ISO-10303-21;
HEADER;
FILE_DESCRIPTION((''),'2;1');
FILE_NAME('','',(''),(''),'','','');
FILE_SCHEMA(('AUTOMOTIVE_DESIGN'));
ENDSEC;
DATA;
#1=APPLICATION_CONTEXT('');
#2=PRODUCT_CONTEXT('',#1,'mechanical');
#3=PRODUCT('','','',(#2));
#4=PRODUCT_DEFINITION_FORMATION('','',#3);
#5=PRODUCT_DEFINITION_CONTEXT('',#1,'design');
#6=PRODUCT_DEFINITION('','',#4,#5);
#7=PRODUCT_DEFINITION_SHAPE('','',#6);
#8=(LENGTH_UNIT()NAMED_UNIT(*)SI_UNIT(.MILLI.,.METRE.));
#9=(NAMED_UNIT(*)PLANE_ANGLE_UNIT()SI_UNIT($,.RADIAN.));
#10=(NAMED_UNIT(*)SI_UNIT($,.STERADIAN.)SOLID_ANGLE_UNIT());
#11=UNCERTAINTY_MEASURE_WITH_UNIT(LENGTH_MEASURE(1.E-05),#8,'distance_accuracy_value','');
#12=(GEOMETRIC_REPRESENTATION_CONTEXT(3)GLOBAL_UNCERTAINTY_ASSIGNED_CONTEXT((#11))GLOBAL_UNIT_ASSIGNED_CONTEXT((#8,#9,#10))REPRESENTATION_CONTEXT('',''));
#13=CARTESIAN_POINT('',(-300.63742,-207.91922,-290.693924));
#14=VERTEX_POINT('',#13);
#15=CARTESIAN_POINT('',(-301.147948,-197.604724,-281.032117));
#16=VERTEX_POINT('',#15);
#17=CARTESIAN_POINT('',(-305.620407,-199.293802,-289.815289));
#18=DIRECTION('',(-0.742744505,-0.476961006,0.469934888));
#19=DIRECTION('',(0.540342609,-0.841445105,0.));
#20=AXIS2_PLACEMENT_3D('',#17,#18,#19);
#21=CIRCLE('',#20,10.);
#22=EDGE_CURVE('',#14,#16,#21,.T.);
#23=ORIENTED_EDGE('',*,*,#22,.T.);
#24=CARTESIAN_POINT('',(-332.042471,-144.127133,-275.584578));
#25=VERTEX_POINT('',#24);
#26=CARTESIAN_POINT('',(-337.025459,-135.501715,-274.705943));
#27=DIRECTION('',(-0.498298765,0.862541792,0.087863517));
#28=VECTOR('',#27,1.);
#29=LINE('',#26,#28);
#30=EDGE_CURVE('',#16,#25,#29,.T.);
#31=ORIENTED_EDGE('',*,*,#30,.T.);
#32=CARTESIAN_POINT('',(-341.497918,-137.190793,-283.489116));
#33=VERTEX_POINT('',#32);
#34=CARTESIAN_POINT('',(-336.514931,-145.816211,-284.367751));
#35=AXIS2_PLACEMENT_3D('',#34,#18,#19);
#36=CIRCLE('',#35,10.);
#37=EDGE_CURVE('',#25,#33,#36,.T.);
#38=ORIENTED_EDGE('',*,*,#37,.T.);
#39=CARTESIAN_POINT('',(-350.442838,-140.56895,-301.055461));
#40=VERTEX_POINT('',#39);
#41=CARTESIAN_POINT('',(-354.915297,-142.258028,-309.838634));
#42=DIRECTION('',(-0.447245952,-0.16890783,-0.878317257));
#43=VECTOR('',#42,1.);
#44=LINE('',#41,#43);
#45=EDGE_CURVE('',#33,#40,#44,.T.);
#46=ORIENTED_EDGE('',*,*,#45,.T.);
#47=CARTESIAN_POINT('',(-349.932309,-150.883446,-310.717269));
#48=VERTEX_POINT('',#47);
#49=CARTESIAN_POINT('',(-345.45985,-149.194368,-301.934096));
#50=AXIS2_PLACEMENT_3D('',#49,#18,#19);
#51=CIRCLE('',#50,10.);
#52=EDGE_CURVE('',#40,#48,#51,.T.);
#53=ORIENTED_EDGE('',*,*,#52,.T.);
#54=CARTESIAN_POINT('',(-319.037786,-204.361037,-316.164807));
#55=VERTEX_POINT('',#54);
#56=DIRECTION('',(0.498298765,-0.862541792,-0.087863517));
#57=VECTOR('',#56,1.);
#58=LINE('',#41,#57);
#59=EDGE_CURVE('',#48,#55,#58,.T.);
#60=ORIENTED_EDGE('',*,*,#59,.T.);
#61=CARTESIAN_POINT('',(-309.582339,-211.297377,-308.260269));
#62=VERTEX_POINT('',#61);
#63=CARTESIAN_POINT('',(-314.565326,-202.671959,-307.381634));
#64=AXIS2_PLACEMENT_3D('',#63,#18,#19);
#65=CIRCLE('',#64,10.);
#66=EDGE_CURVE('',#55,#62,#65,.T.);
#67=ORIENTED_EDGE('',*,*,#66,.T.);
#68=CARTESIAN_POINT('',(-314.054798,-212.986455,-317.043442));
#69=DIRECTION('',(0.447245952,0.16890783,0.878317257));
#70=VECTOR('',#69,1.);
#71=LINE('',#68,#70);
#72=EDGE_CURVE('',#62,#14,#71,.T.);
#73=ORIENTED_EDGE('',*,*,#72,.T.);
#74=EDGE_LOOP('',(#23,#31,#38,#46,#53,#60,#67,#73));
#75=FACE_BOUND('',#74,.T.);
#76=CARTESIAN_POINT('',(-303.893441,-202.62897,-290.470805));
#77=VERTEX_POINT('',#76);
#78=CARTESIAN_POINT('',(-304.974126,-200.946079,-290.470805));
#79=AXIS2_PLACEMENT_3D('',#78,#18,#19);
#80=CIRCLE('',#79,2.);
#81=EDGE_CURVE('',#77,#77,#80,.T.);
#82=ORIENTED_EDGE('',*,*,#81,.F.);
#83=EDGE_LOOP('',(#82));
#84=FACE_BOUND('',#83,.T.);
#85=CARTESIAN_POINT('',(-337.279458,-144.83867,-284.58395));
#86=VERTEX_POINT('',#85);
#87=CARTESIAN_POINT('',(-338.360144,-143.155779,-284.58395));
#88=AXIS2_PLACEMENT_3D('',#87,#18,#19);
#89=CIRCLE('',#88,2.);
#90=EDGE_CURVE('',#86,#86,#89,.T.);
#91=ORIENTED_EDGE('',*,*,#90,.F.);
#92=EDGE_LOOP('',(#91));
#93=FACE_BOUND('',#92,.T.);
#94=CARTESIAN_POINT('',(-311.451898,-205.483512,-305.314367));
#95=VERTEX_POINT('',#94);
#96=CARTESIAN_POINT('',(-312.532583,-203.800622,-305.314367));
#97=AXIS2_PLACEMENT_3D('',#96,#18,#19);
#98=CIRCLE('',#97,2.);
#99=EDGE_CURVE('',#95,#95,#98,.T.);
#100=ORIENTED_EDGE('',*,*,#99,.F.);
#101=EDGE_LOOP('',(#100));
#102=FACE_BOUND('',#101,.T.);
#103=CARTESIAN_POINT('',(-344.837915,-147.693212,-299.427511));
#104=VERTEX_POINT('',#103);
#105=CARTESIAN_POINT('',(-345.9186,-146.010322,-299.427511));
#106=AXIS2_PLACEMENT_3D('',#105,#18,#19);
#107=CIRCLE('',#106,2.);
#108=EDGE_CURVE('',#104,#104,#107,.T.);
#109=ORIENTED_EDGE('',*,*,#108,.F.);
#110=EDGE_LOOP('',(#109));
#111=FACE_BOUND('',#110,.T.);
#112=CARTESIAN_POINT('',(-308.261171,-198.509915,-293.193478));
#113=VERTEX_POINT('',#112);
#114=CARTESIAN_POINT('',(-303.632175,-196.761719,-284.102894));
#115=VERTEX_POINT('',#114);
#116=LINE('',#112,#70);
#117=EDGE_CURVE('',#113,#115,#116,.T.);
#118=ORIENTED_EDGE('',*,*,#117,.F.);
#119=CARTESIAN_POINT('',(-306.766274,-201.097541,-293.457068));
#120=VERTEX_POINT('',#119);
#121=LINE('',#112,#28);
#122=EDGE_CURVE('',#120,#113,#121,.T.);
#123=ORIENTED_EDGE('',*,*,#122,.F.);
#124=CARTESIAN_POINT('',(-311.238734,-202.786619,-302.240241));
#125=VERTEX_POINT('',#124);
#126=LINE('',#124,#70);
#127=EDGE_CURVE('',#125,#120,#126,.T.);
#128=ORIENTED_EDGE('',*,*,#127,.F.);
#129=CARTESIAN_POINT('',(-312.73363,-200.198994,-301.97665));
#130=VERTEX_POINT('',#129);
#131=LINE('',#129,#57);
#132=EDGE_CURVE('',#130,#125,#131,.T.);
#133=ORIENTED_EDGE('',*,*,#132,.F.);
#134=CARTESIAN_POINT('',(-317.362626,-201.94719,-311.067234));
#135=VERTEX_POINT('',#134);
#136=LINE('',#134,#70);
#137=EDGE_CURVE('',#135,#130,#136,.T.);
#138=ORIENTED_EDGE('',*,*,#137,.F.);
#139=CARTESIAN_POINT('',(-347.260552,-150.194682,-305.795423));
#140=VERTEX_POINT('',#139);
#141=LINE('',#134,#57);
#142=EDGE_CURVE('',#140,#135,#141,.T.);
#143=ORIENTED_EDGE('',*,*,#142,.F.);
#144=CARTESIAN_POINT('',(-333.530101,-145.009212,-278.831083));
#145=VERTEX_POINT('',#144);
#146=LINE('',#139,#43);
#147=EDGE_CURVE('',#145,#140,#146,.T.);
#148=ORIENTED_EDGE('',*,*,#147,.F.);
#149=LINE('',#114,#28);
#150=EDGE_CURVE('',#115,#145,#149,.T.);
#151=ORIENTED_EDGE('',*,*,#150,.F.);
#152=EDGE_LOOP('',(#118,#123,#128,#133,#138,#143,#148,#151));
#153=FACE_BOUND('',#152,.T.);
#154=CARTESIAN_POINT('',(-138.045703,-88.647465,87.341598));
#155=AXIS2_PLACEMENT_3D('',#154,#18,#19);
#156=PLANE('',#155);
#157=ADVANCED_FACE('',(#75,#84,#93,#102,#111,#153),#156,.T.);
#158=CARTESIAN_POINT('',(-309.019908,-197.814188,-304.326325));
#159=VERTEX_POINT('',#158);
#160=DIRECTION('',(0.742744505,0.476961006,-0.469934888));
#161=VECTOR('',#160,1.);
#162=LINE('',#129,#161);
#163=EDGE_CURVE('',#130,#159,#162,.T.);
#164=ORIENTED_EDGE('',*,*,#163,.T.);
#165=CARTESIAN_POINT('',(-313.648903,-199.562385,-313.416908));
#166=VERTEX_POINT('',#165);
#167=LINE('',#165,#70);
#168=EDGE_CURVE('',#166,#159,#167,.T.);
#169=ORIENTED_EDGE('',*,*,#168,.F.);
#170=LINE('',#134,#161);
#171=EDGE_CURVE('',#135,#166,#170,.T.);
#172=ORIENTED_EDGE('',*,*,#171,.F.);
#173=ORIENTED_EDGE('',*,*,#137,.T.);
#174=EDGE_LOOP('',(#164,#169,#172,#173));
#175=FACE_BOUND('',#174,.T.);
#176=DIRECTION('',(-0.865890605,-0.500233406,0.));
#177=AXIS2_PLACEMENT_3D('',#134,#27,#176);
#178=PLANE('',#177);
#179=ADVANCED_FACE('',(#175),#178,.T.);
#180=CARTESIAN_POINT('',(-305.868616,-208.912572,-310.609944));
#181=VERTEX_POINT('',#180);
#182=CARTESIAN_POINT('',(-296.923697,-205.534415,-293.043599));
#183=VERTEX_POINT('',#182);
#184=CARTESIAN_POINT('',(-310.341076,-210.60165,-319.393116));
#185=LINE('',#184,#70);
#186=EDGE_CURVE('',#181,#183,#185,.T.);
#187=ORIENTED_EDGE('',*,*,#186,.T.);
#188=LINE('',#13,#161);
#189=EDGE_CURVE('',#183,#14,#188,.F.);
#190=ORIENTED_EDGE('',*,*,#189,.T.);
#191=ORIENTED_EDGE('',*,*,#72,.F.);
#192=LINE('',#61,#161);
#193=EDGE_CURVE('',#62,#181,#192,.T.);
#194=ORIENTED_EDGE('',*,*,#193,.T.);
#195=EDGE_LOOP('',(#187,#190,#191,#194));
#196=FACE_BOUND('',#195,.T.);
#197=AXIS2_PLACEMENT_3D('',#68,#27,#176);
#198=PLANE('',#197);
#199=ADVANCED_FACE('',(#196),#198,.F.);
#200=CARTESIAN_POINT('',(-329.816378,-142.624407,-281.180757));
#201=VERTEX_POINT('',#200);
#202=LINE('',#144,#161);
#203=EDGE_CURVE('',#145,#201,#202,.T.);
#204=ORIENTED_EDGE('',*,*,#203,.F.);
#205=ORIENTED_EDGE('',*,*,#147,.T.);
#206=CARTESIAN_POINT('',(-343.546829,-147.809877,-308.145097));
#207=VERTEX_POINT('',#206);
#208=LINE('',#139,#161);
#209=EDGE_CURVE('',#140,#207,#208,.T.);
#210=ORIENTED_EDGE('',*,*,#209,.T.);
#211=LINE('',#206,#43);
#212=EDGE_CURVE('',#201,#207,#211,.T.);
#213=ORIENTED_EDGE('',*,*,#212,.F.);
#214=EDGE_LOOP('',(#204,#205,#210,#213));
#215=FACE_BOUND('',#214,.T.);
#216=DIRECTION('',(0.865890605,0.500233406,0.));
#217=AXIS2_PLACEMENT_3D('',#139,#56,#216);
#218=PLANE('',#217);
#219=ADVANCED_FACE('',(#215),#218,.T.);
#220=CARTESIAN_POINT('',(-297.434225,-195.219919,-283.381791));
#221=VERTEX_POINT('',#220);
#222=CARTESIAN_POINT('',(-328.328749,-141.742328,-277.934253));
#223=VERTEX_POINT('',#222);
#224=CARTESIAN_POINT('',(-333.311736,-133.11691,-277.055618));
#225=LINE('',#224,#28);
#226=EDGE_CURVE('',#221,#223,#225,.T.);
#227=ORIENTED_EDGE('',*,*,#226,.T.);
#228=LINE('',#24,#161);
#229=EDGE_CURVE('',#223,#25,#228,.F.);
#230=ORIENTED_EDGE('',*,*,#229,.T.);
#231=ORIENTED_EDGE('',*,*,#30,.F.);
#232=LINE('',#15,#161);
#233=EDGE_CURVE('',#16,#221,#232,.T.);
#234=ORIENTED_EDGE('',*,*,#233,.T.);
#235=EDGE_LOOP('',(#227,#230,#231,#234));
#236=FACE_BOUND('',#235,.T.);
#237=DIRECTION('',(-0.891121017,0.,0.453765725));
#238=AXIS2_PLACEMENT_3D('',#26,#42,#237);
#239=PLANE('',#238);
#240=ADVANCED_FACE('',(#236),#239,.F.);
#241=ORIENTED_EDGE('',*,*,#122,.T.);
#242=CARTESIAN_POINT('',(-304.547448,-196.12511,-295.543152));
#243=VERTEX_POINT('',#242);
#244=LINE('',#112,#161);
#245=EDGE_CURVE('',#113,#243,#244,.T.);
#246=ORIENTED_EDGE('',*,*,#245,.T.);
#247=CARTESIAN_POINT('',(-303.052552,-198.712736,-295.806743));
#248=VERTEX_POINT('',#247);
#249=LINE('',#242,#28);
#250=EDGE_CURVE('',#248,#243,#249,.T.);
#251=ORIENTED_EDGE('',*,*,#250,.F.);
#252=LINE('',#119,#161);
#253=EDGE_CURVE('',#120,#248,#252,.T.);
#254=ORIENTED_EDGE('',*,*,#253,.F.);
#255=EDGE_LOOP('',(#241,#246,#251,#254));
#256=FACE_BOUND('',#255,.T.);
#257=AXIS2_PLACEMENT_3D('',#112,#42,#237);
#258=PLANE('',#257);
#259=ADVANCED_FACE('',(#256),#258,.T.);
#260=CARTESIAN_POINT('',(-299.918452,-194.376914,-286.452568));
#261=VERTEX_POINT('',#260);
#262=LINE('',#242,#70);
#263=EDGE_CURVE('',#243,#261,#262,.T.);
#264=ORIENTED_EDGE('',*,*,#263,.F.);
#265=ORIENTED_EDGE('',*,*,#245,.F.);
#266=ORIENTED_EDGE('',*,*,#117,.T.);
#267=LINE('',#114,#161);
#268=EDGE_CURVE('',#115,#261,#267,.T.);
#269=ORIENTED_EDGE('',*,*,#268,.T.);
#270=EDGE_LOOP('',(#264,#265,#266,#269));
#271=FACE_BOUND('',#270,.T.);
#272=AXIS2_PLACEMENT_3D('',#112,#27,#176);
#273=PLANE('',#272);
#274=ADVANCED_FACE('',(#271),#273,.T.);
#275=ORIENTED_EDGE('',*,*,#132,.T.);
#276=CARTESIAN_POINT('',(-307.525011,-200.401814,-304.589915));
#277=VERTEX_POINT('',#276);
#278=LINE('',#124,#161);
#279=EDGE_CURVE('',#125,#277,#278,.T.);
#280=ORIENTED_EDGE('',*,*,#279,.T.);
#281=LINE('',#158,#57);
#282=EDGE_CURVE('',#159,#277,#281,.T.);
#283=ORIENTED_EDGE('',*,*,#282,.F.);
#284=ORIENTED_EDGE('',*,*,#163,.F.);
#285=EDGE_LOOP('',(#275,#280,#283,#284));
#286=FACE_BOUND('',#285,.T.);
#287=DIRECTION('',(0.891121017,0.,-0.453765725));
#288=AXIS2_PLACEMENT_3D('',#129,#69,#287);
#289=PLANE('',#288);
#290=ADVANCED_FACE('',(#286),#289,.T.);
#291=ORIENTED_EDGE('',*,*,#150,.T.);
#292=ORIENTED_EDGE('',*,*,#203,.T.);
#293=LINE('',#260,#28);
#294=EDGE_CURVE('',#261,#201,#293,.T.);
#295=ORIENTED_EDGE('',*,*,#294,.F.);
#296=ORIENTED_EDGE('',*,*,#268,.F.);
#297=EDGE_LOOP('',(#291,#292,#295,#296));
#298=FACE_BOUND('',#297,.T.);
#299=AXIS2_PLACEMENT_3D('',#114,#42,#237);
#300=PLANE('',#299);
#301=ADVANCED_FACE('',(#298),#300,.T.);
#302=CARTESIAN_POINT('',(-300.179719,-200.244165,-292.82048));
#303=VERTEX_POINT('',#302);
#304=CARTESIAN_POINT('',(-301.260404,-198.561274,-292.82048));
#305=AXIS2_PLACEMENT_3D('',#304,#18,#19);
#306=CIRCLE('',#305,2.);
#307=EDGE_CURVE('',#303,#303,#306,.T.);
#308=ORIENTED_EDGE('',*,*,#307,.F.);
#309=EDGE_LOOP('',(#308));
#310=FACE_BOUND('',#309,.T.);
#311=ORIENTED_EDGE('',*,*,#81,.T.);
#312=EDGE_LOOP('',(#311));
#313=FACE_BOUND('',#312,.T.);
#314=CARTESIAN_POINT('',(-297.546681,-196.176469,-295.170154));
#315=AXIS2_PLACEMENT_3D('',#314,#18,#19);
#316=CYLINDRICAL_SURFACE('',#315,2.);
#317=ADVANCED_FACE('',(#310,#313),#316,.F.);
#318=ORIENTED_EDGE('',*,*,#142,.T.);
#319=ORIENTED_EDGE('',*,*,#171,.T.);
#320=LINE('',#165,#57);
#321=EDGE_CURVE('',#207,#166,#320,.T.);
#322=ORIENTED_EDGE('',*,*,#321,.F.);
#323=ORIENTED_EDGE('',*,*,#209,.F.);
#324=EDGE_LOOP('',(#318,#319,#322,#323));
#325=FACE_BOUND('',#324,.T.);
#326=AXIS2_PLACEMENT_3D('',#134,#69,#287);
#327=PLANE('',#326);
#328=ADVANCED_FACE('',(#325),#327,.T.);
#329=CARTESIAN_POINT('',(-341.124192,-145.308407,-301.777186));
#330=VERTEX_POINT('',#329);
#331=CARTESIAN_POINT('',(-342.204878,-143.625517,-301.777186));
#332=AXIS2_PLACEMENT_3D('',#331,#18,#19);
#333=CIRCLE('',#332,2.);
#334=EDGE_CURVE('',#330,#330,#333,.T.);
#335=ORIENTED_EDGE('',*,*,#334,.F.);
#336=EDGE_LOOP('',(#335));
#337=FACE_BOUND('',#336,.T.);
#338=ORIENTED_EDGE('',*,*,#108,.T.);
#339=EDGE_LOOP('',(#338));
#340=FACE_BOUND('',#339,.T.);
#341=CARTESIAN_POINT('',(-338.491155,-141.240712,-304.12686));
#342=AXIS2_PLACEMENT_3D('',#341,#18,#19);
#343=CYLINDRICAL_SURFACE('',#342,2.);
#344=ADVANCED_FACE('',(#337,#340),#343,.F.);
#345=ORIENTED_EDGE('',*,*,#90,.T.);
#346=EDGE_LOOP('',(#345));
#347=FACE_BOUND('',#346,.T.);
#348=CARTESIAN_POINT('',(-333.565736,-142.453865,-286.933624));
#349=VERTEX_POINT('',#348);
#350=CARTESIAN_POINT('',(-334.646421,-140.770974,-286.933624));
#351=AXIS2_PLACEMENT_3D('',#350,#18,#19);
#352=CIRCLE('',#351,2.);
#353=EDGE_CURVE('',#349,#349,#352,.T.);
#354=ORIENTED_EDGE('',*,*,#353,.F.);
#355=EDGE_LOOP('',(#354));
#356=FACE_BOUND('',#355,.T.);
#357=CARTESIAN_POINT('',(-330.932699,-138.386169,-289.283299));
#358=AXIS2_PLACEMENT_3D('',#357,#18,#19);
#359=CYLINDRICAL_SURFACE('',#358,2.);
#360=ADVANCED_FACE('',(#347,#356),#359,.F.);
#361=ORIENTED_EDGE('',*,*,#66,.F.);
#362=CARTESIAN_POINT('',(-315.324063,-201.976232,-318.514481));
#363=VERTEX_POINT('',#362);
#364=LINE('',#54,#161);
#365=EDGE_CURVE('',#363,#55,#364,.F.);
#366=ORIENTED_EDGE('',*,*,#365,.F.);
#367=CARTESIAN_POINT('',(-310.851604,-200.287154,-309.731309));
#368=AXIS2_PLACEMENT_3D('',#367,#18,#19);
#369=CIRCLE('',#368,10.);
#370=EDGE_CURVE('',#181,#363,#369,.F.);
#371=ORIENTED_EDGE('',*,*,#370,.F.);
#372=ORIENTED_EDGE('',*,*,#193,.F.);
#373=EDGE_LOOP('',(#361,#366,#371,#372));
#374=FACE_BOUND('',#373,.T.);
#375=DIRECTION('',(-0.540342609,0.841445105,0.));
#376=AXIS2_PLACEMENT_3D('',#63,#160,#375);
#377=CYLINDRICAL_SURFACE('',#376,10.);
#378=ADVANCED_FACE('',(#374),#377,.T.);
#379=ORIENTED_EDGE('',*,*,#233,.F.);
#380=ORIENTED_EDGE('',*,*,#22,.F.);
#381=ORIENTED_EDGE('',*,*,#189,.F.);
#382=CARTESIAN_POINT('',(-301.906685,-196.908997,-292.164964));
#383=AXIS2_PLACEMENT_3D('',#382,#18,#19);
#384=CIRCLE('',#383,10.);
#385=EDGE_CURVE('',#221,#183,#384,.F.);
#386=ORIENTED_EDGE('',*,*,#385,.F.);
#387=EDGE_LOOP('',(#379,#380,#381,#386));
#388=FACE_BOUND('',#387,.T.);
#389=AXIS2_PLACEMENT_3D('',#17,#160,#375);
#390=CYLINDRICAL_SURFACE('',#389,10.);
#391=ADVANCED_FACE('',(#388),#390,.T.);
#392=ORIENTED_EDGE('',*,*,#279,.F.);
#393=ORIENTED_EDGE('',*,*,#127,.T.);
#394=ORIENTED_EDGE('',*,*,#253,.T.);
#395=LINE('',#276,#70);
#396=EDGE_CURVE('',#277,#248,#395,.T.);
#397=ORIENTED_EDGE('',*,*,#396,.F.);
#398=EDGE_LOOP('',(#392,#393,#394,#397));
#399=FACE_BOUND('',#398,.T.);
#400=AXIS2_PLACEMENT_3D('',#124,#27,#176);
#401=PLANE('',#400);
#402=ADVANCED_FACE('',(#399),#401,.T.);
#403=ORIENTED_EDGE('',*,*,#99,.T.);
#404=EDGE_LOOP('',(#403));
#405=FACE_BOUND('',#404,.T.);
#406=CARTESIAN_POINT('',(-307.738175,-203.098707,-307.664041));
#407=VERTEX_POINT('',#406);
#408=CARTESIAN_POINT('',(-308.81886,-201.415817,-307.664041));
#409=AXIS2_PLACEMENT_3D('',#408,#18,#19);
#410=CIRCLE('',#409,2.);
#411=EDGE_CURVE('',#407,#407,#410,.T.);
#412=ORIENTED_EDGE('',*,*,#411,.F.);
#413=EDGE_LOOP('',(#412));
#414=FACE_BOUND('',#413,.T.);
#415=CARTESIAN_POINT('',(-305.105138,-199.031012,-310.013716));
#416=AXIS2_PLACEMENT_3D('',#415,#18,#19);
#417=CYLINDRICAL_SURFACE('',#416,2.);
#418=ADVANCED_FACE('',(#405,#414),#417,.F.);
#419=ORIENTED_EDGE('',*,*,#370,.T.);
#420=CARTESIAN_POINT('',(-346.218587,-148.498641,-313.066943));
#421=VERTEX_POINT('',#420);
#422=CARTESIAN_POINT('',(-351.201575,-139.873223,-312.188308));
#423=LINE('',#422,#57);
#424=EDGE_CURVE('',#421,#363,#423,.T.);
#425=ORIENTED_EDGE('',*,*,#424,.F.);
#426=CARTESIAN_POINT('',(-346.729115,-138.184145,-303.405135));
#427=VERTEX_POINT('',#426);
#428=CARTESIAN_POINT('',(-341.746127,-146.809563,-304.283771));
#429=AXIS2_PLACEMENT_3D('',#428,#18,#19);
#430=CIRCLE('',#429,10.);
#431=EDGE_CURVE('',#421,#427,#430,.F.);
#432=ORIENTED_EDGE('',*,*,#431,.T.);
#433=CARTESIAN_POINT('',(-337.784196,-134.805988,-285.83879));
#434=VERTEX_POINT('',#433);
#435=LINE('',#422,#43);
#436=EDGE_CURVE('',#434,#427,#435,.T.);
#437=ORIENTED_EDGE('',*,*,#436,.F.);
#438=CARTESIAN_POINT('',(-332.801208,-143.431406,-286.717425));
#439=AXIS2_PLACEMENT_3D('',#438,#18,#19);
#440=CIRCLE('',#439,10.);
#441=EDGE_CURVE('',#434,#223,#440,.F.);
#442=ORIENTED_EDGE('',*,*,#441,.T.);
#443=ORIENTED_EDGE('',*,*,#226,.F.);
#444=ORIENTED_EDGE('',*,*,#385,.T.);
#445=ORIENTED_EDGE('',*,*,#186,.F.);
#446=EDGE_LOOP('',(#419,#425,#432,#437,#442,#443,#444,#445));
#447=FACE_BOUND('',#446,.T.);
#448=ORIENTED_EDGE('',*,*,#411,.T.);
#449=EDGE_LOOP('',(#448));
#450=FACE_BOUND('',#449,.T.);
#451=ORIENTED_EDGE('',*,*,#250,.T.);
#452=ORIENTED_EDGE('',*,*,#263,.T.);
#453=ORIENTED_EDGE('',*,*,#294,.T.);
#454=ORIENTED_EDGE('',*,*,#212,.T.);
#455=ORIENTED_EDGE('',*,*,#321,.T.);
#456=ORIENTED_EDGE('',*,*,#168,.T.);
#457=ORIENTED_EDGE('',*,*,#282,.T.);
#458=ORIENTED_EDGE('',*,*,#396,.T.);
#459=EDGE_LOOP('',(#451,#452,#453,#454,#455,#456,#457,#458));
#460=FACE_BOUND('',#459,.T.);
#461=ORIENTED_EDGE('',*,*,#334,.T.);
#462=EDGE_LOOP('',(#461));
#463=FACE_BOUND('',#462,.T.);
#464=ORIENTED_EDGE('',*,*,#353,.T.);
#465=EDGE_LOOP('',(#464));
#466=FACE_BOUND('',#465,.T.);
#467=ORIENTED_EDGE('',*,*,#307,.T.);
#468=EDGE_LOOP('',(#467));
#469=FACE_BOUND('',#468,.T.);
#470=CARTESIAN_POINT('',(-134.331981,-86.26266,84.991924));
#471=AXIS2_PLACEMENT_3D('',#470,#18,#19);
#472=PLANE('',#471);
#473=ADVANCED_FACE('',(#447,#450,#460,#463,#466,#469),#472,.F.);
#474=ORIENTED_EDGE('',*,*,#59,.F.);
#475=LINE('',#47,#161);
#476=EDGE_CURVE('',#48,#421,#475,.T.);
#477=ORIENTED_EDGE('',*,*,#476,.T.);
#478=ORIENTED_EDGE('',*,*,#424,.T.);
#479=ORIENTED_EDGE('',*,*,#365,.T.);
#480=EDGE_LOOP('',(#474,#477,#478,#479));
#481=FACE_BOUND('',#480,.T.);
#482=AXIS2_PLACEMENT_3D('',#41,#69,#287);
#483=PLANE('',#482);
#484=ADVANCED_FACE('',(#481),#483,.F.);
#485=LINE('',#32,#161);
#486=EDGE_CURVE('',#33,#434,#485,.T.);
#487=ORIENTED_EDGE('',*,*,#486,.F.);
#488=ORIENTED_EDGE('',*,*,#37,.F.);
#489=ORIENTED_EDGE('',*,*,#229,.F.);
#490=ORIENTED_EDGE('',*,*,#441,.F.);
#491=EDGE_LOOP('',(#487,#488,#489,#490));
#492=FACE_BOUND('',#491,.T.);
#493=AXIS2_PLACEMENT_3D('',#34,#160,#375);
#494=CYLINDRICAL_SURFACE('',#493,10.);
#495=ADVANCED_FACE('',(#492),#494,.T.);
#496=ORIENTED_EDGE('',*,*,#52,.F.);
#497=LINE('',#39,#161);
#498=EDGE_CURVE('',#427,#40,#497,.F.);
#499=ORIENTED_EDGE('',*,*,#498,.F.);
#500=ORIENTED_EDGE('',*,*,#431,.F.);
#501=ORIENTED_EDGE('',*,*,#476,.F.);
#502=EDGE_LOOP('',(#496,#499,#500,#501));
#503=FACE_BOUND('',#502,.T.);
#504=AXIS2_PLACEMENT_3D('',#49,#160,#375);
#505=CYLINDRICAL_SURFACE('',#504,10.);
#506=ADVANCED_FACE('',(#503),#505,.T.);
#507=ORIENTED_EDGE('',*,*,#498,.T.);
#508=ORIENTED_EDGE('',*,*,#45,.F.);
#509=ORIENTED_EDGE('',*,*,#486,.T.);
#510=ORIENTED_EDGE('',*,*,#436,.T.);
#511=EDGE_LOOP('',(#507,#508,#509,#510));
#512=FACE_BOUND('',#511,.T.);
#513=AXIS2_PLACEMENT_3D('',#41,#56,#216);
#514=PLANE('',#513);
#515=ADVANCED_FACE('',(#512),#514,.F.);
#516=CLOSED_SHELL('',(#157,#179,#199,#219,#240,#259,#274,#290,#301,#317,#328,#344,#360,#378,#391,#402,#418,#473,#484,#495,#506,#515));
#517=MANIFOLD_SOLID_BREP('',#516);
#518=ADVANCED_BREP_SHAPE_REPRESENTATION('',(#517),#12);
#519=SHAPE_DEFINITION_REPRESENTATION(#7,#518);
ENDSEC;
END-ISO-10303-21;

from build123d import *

# Parameters (mm, degrees)
BOSS_EXTRUDE1_DEPTH = 5
SKETCH2_R           = 2
CUT_EXTRUDE1_DEPTH  = 10
FILLET1_R           = 10


with BuildPart() as part:
    # Sketch1 → Boss-Extrude1 (new body)
    with BuildSketch(Plane(origin=(-134.331980559, -86.262659899, 84.991923549), x_dir=(0.395424411, 0.253925843, 0.882701083), z_dir=(-0.742744505, -0.476961006, 0.469934888))):
        Polygon((-449.960059364, 72.073536166), (-410.158714417, 68.091961048), (-418.320943409, -13.500796093), (-458.122288356, -9.519220975), align=None)
        Polygon((-431.102989517, -0.46855114), (-420.804391512, -1.498783702), (-414.832028835, 58.203233718), (-445.379561081, 61.259092621), (-451.351923758, 1.557075201), (-441.053325753, 0.526842639), (-441.351943887, -2.458258232), (-431.40160765, -3.453652011), align=None, mode=Mode.SUBTRACT)
    extrude(amount=BOSS_EXTRUDE1_DEPTH)

    # Sketch2 → Cut-Extrude1 (cut)
    with BuildSketch(Plane(origin=(-138.045703084, -88.647464931, 87.341597987), x_dir=(0.395424411, 0.253925843, 0.882701083), z_dir=(-0.742744505, -0.476961006, 0.469934888))):
        with Locations((-444.834579578, -2.61236419)):
            Circle(SKETCH2_R)
        with Locations((-428.018511338, -4.294579677)):
            Circle(SKETCH2_R)
        with Locations((-438.165441255, 64.054888596)):
            Circle(SKETCH2_R)
        with Locations((-421.349373015, 62.372673109)):
            Circle(SKETCH2_R)
    extrude(amount=-CUT_EXTRUDE1_DEPTH, mode=Mode.SUBTRACT)

    # Fillet1
    fillet1_edges = [part.edges().sort_by_distance(p)[0] for p in [
        (-353.05843578, -141.065625808, -311.013470799),
        (-335.168597716, -134.309312615, -275.880780522),
        (-294.308099004, -205.037739583, -283.08558889),
        (-312.197937067, -211.794052776, -318.218279167),
    ]]
    fillet(fillet1_edges, radius=FILLET1_R)


solid = part.part
